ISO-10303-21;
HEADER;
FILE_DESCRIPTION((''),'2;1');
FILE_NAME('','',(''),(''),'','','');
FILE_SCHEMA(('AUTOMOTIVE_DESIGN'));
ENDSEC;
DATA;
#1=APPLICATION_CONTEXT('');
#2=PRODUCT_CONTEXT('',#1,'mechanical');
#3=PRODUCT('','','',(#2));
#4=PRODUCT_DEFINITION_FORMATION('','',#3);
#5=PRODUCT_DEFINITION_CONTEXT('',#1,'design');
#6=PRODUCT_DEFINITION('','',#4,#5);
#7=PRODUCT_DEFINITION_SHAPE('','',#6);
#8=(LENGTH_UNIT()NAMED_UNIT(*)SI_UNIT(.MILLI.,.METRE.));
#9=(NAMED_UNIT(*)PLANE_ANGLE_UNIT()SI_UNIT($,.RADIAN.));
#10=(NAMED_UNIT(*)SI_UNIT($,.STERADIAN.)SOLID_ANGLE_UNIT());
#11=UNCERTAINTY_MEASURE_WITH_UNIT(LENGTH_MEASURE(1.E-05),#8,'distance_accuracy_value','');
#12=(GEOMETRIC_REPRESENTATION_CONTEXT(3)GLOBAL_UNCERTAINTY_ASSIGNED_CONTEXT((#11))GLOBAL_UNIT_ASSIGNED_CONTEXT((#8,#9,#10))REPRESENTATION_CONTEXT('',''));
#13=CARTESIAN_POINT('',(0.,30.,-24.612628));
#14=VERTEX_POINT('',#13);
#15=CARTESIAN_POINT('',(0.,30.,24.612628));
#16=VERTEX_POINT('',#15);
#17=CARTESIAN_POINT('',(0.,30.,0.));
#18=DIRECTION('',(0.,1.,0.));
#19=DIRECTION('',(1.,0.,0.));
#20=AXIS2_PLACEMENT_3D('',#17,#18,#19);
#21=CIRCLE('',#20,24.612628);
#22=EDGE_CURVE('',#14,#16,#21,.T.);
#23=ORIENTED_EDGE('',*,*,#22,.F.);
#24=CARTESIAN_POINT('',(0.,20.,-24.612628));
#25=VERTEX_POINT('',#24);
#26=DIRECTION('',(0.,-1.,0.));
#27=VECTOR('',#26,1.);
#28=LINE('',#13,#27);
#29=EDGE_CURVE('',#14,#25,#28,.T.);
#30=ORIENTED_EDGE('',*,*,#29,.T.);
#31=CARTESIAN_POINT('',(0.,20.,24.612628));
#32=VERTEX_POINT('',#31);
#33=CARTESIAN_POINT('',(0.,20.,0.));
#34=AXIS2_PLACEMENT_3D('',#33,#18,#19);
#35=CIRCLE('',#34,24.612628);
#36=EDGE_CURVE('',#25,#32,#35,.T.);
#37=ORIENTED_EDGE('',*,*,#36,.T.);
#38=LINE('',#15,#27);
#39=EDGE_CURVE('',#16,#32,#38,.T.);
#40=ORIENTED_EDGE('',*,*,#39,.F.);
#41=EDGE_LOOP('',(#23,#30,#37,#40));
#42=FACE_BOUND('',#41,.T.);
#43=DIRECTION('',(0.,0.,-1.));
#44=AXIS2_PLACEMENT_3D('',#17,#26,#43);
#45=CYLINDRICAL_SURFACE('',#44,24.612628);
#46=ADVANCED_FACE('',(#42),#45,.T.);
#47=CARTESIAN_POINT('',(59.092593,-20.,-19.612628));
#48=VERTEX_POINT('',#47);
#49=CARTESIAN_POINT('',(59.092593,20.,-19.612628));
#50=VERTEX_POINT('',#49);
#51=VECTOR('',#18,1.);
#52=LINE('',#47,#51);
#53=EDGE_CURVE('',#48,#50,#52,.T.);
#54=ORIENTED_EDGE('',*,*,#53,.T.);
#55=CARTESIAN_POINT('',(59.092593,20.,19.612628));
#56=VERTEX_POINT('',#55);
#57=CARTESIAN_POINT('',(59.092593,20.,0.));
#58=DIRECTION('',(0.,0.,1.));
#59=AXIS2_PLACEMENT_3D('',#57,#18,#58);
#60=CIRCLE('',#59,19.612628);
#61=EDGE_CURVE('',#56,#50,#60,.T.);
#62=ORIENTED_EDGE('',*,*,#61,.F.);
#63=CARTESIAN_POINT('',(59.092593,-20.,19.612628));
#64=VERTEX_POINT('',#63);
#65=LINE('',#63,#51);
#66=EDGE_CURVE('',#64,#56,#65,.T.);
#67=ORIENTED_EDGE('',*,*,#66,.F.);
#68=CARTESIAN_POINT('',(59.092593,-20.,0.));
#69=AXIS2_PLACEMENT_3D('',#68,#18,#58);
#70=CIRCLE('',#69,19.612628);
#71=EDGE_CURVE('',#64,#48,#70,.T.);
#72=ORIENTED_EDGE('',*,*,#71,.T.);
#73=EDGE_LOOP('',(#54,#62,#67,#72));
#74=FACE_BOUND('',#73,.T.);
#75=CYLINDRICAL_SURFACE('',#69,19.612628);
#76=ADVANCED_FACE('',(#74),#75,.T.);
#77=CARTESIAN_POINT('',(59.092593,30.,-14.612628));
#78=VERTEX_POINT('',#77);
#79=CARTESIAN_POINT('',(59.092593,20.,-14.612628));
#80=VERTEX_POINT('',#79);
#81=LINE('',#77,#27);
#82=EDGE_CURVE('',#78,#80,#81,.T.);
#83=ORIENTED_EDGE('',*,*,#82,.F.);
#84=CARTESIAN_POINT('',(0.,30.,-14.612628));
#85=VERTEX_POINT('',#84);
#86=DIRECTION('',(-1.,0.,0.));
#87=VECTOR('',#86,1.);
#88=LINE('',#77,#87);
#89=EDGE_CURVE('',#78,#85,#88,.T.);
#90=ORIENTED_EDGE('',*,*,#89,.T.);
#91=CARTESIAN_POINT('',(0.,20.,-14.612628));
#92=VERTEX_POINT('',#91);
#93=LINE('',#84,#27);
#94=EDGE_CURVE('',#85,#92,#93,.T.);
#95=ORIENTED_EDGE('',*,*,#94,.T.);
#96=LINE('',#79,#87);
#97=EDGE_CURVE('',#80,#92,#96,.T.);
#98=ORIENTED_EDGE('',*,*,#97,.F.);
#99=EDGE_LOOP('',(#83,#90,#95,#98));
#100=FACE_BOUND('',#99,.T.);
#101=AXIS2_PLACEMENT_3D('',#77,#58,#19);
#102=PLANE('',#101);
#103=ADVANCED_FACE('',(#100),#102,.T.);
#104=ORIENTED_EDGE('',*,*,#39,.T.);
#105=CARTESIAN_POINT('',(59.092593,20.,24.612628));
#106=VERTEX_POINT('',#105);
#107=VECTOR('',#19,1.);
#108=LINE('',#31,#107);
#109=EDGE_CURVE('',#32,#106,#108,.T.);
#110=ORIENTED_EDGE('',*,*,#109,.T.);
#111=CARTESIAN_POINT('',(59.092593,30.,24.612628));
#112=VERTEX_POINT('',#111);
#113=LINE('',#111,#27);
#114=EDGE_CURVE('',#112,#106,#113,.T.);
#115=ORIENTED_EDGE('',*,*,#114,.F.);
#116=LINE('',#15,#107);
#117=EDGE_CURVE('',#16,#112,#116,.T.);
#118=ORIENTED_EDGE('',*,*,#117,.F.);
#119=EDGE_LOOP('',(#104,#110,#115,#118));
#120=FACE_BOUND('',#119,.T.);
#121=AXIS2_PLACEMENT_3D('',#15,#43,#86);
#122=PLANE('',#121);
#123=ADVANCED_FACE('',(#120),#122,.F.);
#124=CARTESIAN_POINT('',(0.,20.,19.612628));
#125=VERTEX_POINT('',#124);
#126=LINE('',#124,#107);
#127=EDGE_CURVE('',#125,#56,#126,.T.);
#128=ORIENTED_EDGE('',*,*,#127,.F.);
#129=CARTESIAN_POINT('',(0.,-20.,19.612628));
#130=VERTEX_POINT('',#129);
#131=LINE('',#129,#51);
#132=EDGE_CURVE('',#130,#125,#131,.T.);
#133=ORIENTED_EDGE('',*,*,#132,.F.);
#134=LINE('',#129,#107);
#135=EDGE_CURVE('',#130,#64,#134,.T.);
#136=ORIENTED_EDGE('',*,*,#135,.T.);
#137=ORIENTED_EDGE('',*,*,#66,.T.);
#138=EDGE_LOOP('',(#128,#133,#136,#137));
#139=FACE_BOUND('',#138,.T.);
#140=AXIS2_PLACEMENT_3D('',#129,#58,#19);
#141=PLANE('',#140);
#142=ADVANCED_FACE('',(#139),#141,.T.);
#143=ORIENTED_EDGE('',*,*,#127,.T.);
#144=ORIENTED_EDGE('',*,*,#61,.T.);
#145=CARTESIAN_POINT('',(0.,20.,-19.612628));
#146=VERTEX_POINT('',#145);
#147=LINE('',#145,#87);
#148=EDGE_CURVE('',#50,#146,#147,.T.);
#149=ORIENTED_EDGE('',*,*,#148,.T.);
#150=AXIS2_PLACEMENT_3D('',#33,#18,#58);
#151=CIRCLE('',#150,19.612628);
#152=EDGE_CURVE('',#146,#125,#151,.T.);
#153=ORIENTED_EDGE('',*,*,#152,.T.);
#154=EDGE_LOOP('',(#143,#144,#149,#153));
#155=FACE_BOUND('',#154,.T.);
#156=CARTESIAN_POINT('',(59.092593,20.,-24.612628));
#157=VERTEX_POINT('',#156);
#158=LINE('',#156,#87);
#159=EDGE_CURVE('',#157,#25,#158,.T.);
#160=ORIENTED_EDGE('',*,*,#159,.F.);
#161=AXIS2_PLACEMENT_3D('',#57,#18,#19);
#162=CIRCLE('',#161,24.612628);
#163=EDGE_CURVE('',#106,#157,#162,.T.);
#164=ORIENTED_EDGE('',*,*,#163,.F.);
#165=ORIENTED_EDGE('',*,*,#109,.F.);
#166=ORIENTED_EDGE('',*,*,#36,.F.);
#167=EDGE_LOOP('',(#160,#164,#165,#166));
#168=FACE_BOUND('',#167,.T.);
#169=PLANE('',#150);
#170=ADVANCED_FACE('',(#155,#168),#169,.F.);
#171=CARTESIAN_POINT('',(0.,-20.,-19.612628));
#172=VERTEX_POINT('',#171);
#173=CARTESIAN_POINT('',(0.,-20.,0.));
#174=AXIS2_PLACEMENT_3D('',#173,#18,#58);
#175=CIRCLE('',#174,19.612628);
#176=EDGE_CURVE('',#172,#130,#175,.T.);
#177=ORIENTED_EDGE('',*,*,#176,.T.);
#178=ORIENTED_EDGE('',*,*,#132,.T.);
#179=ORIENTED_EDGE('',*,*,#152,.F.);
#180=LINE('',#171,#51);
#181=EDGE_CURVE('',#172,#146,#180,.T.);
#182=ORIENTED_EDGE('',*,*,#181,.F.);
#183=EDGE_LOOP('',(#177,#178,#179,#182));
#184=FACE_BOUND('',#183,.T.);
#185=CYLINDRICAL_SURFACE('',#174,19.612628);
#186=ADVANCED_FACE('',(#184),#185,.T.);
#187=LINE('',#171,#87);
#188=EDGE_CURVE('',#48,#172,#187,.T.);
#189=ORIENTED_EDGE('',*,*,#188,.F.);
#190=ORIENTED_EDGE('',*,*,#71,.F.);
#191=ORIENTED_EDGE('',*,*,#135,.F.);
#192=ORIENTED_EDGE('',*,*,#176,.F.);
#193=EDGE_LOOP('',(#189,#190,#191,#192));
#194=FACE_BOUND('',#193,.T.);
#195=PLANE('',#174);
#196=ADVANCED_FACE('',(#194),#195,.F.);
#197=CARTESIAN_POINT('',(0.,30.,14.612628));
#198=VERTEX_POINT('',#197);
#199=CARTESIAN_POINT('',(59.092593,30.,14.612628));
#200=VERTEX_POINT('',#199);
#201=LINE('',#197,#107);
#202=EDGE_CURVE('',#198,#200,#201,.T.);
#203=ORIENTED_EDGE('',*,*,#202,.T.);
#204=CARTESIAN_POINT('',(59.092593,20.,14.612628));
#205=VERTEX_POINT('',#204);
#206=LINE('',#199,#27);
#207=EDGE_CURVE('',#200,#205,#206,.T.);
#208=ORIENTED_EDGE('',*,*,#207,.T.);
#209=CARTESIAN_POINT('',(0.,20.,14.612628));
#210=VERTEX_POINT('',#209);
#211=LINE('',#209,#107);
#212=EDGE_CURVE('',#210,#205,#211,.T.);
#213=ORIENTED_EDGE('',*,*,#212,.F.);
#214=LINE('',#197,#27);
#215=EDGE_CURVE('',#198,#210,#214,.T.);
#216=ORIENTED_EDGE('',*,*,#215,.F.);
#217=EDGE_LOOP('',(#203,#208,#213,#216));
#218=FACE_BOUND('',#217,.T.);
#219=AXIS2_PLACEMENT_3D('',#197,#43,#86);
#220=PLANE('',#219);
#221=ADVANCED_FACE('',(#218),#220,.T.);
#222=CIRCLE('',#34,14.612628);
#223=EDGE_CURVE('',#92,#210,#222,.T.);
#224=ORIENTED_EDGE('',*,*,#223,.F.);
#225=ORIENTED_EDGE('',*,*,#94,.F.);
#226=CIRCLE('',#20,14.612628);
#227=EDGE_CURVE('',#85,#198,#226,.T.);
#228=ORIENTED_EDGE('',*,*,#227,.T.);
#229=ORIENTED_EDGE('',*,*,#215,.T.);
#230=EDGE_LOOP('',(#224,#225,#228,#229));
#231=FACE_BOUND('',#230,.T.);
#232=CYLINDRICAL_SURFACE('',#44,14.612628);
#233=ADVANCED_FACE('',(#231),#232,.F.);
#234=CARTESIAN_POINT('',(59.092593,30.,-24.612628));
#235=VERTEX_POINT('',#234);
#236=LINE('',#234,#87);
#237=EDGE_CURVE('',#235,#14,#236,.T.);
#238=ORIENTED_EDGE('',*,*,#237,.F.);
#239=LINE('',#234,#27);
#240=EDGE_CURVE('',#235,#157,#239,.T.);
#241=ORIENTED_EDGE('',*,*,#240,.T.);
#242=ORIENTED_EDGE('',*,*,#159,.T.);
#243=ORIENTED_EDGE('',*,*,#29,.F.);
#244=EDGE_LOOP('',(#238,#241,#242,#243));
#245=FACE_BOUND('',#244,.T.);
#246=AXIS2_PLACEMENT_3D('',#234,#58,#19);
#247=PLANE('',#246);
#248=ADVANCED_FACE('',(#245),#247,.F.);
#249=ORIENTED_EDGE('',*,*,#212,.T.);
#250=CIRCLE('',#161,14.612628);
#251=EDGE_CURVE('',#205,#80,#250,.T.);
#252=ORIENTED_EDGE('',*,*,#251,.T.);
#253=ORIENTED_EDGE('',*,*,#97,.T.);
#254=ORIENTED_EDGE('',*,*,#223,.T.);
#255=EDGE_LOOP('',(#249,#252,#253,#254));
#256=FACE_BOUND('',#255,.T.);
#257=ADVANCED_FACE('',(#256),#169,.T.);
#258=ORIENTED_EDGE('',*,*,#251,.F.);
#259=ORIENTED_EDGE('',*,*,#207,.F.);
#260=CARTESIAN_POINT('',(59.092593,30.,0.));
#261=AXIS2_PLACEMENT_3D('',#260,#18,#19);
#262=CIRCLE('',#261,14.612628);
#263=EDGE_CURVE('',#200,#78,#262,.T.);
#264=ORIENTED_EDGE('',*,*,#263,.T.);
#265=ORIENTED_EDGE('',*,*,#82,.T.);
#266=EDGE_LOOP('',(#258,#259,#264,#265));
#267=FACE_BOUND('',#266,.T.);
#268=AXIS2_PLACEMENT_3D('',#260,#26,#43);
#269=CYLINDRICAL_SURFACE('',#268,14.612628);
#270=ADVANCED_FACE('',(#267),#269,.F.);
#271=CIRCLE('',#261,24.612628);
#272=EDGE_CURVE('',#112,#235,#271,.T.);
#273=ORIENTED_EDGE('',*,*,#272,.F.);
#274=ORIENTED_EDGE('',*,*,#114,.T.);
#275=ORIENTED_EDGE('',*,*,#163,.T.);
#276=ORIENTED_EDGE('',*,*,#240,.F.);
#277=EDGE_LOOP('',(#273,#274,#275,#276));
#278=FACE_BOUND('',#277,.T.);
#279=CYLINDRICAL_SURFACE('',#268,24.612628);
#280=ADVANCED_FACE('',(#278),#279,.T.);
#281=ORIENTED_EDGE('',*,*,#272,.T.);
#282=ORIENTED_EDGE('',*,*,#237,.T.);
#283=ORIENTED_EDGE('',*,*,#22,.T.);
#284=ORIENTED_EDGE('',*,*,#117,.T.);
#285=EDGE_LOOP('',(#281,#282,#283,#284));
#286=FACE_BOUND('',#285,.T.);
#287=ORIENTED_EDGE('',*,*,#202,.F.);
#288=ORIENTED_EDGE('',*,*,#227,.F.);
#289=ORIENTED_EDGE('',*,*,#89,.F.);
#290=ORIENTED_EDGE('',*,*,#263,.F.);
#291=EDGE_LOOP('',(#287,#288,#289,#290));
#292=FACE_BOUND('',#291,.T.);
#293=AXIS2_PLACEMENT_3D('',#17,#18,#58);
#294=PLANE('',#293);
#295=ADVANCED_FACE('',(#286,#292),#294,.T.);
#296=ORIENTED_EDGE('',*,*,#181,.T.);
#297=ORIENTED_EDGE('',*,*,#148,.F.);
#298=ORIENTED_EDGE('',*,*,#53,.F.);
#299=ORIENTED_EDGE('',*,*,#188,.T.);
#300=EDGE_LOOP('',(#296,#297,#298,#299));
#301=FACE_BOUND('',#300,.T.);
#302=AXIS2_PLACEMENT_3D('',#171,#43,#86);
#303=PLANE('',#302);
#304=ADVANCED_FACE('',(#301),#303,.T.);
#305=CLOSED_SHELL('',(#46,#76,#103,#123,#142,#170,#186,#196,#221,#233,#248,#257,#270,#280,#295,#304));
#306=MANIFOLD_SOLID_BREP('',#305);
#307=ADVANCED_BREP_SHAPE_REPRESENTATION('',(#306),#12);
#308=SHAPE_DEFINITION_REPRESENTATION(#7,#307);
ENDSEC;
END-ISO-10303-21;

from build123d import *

# Parameters (mm, degrees)
EXTRUDE_1_DEPTH      = 20
EXTRUDE_1_DEPTH_BACK = 20
EXTRUDE_1_2_DEPTH    = 10


with BuildPart() as part:
    # 草图1 → Extrude 1 (new, two sides: drawn at the far end of the back side and taken through both)
    with BuildSketch(Plane(origin=(0, 0, 0), x_dir=(1, 0, 0), z_dir=(0, 1, 0)).offset(-EXTRUDE_1_DEPTH_BACK)):
        with BuildLine():
            Line((0, 19.612627737), (59.092592661, 19.612627737))
            ThreePointArc((59.092592661, 19.612627737), (78.705220398, 0), (59.092592661, -19.612627737))
            Line((59.092592661, -19.612627737), (0, -19.612627737))
            ThreePointArc((0, -19.612627737), (-19.612627737, 0), (0, 19.612627737))
        make_face()
    extrude(amount=EXTRUDE_1_DEPTH + EXTRUDE_1_DEPTH_BACK)

    # 草图4 → Extrude 1 2 (add)
    with BuildSketch(Plane(origin=(0, 20, 0), x_dir=(1, 0, 0), z_dir=(0, 1, 0))):
        with BuildLine():
            Line((59.092592661, 24.612627737), (0, 24.612627737))
            ThreePointArc((0, 24.612627737), (-24.612627737, 0), (0, -24.612627737))
            Line((0, -24.612627737), (59.092592661, -24.612627737))
            ThreePointArc((59.092592661, -24.612627737), (83.705220398, 0), (59.092592661, 24.612627737))
        make_face()
        with BuildLine():
            Line((59.092592661, 14.612627737), (0, 14.612627737))
            ThreePointArc((0, 14.612627737), (-14.612627737, 0), (0, -14.612627737))
            Line((0, -14.612627737), (59.092592661, -14.612627737))
            ThreePointArc((59.092592661, -14.612627737), (73.705220398, 0), (59.092592661, 14.612627737))
        make_face(mode=Mode.SUBTRACT)
    extrude(amount=EXTRUDE_1_2_DEPTH)


solid = part.part
